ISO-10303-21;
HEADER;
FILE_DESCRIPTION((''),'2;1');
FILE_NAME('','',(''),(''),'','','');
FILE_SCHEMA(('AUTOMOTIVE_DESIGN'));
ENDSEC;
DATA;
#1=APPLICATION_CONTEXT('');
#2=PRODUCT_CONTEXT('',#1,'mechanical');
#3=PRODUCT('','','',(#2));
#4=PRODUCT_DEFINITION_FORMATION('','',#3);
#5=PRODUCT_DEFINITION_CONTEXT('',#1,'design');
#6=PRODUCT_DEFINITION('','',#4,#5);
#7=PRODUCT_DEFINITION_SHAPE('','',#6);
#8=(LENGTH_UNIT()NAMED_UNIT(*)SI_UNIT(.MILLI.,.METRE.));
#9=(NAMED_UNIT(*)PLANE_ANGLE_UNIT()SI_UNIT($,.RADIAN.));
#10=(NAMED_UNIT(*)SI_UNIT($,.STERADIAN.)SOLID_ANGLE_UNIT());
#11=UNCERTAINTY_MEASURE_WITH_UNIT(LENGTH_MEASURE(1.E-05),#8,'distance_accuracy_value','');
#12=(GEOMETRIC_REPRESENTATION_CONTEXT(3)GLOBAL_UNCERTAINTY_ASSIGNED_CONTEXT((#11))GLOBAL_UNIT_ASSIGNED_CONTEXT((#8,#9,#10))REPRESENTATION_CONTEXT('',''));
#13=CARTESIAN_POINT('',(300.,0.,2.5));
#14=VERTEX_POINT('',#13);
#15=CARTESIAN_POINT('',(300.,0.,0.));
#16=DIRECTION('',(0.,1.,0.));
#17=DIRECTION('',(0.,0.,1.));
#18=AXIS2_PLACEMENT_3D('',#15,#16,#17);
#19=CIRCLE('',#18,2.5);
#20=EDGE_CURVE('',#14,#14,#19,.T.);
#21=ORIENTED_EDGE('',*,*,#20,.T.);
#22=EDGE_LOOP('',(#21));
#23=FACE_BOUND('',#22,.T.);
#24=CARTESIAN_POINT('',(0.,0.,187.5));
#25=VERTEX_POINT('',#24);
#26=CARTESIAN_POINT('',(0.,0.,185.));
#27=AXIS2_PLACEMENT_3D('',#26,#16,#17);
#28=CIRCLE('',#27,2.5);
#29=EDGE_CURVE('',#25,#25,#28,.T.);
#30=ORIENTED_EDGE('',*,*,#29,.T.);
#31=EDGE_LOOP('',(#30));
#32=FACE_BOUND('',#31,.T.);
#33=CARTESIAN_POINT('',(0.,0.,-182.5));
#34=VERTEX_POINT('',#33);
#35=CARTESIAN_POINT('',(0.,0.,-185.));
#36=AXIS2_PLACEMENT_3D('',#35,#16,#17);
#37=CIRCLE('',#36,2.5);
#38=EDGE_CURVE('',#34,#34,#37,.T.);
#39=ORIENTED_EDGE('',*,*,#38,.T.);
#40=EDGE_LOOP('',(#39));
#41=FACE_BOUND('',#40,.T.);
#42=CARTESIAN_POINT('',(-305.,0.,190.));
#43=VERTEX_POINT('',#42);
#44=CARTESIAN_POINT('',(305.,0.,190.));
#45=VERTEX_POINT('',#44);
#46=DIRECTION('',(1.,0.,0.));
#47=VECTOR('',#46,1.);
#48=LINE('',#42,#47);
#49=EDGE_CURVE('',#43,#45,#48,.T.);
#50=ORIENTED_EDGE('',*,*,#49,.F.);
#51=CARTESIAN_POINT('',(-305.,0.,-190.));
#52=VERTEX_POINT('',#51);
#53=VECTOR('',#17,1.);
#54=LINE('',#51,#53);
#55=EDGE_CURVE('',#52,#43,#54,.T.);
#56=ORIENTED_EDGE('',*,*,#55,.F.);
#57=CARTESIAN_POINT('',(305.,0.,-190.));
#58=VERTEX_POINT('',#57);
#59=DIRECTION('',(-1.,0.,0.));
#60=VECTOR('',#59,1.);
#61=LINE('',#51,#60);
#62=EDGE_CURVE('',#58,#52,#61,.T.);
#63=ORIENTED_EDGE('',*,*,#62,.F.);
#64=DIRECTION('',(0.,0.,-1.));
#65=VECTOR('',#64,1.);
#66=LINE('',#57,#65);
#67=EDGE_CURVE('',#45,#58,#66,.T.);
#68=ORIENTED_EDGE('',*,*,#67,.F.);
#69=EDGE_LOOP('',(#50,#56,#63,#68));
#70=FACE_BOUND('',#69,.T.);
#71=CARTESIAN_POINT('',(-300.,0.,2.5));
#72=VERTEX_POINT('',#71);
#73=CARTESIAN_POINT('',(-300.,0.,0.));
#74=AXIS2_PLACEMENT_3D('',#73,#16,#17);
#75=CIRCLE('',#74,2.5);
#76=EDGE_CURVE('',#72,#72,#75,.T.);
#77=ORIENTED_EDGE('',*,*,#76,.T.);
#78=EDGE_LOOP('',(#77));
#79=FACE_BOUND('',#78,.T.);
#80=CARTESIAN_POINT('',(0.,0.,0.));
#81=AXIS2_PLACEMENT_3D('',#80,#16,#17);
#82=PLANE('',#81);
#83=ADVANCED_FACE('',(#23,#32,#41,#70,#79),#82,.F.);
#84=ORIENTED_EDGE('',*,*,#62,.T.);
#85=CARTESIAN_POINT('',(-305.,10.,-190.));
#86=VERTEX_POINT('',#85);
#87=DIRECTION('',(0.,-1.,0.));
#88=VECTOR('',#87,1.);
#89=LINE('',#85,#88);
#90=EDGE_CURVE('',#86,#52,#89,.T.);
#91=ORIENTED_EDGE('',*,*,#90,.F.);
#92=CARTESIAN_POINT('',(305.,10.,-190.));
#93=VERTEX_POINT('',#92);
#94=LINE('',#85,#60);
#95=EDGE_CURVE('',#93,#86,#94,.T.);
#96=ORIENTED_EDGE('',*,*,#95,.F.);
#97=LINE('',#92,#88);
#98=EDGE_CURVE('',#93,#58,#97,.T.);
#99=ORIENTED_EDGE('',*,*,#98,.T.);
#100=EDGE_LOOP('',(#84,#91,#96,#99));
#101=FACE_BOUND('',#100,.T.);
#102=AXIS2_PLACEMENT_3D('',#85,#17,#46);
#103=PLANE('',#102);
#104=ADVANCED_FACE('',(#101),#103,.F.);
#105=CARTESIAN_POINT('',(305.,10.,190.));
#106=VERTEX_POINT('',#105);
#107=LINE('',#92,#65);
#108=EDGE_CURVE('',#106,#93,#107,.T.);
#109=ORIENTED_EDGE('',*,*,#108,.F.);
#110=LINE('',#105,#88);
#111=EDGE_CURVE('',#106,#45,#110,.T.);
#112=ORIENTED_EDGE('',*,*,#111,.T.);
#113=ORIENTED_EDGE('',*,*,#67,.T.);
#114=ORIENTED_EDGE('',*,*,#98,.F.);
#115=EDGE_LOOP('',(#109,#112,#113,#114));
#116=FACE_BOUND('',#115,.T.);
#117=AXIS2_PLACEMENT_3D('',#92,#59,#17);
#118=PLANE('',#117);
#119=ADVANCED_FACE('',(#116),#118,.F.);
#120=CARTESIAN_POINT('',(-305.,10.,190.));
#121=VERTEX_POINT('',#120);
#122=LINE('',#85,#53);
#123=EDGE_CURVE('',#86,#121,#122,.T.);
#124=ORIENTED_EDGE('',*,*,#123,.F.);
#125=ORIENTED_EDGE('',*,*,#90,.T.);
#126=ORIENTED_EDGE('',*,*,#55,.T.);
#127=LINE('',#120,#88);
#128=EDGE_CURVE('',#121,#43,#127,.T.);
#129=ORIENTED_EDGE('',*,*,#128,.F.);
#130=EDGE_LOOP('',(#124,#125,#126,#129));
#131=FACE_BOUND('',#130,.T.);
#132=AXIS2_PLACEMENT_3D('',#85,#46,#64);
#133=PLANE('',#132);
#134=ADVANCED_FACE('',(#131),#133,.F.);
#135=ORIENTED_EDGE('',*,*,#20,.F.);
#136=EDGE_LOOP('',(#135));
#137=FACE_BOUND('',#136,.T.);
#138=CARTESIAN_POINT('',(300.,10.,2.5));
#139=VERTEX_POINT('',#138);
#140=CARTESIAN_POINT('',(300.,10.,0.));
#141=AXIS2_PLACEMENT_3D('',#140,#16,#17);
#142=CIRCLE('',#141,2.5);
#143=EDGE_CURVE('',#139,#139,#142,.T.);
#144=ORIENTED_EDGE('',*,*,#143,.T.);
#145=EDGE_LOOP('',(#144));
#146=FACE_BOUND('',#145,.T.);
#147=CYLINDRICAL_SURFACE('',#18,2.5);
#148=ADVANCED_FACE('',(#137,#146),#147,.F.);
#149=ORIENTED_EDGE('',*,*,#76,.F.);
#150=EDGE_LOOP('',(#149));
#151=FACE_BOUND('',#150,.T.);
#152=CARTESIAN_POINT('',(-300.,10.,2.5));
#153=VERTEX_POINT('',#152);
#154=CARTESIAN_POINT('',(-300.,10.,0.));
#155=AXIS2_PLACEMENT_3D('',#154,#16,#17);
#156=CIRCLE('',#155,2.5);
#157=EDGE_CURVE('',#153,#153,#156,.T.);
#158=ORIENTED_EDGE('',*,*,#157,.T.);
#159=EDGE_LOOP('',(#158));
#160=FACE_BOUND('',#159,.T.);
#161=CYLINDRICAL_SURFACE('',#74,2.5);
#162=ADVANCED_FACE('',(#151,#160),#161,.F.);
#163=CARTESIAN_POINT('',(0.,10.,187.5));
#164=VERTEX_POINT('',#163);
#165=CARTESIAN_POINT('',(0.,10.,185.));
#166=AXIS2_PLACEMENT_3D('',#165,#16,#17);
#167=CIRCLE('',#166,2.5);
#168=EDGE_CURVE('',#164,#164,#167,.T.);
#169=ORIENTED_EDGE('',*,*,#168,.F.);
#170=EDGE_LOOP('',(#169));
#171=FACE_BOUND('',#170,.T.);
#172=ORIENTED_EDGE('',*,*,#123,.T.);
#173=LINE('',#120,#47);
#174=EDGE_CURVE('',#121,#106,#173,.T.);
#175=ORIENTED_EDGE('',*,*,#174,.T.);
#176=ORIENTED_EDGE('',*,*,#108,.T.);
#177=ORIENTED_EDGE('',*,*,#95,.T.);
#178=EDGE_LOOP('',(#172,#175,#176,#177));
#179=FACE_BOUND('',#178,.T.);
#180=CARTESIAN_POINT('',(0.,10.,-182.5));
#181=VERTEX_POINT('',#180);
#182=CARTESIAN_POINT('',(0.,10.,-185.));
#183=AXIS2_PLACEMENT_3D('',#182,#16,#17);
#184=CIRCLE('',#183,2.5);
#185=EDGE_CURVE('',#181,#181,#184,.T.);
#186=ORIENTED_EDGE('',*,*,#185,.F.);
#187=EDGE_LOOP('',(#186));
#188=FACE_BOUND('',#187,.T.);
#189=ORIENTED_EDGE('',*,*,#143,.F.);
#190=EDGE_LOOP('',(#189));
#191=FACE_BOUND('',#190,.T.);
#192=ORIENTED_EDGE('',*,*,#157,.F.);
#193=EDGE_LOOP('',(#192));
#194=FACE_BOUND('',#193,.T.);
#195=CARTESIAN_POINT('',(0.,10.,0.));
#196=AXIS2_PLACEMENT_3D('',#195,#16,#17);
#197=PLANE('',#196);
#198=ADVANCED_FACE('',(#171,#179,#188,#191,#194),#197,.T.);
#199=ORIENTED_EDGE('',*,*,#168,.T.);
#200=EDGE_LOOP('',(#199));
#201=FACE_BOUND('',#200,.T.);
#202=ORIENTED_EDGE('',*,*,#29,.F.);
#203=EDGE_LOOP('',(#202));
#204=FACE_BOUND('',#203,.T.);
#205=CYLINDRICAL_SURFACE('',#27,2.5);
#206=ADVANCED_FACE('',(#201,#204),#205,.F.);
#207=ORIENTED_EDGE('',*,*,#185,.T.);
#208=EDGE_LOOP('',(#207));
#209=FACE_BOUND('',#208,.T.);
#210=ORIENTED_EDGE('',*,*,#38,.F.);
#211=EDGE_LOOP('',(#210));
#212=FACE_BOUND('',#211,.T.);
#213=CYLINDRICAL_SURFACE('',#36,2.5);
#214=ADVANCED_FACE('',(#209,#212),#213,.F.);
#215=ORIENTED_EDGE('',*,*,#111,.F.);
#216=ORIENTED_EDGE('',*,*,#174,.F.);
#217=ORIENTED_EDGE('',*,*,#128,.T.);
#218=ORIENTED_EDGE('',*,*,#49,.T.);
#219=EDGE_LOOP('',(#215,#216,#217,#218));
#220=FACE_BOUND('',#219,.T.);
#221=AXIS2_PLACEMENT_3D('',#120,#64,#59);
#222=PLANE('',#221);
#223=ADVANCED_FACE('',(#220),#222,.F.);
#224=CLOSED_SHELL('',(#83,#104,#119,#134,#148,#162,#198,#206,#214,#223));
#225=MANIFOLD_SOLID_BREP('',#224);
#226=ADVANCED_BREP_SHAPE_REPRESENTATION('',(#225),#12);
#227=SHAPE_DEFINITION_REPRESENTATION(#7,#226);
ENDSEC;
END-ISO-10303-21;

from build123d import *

# Parameters (mm, degrees)
SKETCH1_W           = 610
SKETCH1_H           = 380
BOSS_EXTRUDE1_DEPTH = 10
SKETCH2_R           = 2.5
CUT_EXTRUDE1_DEPTH  = 10


with BuildPart() as part:
    # Sketch1 → Boss-Extrude1 (new body)
    with BuildSketch(Plane(origin=(0, 0, 0), x_dir=(1, 0, 0), z_dir=(0, 1, 0))):
        Rectangle(SKETCH1_W, SKETCH1_H)
    extrude(amount=BOSS_EXTRUDE1_DEPTH)

    # Sketch2 → Cut-Extrude1 (cut)
    with BuildSketch(Plane(origin=(0, 10, 0), x_dir=(1, 0, 0), z_dir=(0, 1, 0))):
        with Locations(Location((300, 0, 0), (0, 0, 270))):
            Circle(SKETCH2_R)
        with Locations(Location((0, 185, 0), (0, 0, 270))):
            Circle(SKETCH2_R)
        with Locations(Location((-300, 0, 0), (0, 0, 270))):
            Circle(SKETCH2_R)
        with Locations(Location((0, -185, 0), (0, 0, 270))):
            Circle(SKETCH2_R)
    extrude(amount=-CUT_EXTRUDE1_DEPTH, mode=Mode.SUBTRACT)


solid = part.part
